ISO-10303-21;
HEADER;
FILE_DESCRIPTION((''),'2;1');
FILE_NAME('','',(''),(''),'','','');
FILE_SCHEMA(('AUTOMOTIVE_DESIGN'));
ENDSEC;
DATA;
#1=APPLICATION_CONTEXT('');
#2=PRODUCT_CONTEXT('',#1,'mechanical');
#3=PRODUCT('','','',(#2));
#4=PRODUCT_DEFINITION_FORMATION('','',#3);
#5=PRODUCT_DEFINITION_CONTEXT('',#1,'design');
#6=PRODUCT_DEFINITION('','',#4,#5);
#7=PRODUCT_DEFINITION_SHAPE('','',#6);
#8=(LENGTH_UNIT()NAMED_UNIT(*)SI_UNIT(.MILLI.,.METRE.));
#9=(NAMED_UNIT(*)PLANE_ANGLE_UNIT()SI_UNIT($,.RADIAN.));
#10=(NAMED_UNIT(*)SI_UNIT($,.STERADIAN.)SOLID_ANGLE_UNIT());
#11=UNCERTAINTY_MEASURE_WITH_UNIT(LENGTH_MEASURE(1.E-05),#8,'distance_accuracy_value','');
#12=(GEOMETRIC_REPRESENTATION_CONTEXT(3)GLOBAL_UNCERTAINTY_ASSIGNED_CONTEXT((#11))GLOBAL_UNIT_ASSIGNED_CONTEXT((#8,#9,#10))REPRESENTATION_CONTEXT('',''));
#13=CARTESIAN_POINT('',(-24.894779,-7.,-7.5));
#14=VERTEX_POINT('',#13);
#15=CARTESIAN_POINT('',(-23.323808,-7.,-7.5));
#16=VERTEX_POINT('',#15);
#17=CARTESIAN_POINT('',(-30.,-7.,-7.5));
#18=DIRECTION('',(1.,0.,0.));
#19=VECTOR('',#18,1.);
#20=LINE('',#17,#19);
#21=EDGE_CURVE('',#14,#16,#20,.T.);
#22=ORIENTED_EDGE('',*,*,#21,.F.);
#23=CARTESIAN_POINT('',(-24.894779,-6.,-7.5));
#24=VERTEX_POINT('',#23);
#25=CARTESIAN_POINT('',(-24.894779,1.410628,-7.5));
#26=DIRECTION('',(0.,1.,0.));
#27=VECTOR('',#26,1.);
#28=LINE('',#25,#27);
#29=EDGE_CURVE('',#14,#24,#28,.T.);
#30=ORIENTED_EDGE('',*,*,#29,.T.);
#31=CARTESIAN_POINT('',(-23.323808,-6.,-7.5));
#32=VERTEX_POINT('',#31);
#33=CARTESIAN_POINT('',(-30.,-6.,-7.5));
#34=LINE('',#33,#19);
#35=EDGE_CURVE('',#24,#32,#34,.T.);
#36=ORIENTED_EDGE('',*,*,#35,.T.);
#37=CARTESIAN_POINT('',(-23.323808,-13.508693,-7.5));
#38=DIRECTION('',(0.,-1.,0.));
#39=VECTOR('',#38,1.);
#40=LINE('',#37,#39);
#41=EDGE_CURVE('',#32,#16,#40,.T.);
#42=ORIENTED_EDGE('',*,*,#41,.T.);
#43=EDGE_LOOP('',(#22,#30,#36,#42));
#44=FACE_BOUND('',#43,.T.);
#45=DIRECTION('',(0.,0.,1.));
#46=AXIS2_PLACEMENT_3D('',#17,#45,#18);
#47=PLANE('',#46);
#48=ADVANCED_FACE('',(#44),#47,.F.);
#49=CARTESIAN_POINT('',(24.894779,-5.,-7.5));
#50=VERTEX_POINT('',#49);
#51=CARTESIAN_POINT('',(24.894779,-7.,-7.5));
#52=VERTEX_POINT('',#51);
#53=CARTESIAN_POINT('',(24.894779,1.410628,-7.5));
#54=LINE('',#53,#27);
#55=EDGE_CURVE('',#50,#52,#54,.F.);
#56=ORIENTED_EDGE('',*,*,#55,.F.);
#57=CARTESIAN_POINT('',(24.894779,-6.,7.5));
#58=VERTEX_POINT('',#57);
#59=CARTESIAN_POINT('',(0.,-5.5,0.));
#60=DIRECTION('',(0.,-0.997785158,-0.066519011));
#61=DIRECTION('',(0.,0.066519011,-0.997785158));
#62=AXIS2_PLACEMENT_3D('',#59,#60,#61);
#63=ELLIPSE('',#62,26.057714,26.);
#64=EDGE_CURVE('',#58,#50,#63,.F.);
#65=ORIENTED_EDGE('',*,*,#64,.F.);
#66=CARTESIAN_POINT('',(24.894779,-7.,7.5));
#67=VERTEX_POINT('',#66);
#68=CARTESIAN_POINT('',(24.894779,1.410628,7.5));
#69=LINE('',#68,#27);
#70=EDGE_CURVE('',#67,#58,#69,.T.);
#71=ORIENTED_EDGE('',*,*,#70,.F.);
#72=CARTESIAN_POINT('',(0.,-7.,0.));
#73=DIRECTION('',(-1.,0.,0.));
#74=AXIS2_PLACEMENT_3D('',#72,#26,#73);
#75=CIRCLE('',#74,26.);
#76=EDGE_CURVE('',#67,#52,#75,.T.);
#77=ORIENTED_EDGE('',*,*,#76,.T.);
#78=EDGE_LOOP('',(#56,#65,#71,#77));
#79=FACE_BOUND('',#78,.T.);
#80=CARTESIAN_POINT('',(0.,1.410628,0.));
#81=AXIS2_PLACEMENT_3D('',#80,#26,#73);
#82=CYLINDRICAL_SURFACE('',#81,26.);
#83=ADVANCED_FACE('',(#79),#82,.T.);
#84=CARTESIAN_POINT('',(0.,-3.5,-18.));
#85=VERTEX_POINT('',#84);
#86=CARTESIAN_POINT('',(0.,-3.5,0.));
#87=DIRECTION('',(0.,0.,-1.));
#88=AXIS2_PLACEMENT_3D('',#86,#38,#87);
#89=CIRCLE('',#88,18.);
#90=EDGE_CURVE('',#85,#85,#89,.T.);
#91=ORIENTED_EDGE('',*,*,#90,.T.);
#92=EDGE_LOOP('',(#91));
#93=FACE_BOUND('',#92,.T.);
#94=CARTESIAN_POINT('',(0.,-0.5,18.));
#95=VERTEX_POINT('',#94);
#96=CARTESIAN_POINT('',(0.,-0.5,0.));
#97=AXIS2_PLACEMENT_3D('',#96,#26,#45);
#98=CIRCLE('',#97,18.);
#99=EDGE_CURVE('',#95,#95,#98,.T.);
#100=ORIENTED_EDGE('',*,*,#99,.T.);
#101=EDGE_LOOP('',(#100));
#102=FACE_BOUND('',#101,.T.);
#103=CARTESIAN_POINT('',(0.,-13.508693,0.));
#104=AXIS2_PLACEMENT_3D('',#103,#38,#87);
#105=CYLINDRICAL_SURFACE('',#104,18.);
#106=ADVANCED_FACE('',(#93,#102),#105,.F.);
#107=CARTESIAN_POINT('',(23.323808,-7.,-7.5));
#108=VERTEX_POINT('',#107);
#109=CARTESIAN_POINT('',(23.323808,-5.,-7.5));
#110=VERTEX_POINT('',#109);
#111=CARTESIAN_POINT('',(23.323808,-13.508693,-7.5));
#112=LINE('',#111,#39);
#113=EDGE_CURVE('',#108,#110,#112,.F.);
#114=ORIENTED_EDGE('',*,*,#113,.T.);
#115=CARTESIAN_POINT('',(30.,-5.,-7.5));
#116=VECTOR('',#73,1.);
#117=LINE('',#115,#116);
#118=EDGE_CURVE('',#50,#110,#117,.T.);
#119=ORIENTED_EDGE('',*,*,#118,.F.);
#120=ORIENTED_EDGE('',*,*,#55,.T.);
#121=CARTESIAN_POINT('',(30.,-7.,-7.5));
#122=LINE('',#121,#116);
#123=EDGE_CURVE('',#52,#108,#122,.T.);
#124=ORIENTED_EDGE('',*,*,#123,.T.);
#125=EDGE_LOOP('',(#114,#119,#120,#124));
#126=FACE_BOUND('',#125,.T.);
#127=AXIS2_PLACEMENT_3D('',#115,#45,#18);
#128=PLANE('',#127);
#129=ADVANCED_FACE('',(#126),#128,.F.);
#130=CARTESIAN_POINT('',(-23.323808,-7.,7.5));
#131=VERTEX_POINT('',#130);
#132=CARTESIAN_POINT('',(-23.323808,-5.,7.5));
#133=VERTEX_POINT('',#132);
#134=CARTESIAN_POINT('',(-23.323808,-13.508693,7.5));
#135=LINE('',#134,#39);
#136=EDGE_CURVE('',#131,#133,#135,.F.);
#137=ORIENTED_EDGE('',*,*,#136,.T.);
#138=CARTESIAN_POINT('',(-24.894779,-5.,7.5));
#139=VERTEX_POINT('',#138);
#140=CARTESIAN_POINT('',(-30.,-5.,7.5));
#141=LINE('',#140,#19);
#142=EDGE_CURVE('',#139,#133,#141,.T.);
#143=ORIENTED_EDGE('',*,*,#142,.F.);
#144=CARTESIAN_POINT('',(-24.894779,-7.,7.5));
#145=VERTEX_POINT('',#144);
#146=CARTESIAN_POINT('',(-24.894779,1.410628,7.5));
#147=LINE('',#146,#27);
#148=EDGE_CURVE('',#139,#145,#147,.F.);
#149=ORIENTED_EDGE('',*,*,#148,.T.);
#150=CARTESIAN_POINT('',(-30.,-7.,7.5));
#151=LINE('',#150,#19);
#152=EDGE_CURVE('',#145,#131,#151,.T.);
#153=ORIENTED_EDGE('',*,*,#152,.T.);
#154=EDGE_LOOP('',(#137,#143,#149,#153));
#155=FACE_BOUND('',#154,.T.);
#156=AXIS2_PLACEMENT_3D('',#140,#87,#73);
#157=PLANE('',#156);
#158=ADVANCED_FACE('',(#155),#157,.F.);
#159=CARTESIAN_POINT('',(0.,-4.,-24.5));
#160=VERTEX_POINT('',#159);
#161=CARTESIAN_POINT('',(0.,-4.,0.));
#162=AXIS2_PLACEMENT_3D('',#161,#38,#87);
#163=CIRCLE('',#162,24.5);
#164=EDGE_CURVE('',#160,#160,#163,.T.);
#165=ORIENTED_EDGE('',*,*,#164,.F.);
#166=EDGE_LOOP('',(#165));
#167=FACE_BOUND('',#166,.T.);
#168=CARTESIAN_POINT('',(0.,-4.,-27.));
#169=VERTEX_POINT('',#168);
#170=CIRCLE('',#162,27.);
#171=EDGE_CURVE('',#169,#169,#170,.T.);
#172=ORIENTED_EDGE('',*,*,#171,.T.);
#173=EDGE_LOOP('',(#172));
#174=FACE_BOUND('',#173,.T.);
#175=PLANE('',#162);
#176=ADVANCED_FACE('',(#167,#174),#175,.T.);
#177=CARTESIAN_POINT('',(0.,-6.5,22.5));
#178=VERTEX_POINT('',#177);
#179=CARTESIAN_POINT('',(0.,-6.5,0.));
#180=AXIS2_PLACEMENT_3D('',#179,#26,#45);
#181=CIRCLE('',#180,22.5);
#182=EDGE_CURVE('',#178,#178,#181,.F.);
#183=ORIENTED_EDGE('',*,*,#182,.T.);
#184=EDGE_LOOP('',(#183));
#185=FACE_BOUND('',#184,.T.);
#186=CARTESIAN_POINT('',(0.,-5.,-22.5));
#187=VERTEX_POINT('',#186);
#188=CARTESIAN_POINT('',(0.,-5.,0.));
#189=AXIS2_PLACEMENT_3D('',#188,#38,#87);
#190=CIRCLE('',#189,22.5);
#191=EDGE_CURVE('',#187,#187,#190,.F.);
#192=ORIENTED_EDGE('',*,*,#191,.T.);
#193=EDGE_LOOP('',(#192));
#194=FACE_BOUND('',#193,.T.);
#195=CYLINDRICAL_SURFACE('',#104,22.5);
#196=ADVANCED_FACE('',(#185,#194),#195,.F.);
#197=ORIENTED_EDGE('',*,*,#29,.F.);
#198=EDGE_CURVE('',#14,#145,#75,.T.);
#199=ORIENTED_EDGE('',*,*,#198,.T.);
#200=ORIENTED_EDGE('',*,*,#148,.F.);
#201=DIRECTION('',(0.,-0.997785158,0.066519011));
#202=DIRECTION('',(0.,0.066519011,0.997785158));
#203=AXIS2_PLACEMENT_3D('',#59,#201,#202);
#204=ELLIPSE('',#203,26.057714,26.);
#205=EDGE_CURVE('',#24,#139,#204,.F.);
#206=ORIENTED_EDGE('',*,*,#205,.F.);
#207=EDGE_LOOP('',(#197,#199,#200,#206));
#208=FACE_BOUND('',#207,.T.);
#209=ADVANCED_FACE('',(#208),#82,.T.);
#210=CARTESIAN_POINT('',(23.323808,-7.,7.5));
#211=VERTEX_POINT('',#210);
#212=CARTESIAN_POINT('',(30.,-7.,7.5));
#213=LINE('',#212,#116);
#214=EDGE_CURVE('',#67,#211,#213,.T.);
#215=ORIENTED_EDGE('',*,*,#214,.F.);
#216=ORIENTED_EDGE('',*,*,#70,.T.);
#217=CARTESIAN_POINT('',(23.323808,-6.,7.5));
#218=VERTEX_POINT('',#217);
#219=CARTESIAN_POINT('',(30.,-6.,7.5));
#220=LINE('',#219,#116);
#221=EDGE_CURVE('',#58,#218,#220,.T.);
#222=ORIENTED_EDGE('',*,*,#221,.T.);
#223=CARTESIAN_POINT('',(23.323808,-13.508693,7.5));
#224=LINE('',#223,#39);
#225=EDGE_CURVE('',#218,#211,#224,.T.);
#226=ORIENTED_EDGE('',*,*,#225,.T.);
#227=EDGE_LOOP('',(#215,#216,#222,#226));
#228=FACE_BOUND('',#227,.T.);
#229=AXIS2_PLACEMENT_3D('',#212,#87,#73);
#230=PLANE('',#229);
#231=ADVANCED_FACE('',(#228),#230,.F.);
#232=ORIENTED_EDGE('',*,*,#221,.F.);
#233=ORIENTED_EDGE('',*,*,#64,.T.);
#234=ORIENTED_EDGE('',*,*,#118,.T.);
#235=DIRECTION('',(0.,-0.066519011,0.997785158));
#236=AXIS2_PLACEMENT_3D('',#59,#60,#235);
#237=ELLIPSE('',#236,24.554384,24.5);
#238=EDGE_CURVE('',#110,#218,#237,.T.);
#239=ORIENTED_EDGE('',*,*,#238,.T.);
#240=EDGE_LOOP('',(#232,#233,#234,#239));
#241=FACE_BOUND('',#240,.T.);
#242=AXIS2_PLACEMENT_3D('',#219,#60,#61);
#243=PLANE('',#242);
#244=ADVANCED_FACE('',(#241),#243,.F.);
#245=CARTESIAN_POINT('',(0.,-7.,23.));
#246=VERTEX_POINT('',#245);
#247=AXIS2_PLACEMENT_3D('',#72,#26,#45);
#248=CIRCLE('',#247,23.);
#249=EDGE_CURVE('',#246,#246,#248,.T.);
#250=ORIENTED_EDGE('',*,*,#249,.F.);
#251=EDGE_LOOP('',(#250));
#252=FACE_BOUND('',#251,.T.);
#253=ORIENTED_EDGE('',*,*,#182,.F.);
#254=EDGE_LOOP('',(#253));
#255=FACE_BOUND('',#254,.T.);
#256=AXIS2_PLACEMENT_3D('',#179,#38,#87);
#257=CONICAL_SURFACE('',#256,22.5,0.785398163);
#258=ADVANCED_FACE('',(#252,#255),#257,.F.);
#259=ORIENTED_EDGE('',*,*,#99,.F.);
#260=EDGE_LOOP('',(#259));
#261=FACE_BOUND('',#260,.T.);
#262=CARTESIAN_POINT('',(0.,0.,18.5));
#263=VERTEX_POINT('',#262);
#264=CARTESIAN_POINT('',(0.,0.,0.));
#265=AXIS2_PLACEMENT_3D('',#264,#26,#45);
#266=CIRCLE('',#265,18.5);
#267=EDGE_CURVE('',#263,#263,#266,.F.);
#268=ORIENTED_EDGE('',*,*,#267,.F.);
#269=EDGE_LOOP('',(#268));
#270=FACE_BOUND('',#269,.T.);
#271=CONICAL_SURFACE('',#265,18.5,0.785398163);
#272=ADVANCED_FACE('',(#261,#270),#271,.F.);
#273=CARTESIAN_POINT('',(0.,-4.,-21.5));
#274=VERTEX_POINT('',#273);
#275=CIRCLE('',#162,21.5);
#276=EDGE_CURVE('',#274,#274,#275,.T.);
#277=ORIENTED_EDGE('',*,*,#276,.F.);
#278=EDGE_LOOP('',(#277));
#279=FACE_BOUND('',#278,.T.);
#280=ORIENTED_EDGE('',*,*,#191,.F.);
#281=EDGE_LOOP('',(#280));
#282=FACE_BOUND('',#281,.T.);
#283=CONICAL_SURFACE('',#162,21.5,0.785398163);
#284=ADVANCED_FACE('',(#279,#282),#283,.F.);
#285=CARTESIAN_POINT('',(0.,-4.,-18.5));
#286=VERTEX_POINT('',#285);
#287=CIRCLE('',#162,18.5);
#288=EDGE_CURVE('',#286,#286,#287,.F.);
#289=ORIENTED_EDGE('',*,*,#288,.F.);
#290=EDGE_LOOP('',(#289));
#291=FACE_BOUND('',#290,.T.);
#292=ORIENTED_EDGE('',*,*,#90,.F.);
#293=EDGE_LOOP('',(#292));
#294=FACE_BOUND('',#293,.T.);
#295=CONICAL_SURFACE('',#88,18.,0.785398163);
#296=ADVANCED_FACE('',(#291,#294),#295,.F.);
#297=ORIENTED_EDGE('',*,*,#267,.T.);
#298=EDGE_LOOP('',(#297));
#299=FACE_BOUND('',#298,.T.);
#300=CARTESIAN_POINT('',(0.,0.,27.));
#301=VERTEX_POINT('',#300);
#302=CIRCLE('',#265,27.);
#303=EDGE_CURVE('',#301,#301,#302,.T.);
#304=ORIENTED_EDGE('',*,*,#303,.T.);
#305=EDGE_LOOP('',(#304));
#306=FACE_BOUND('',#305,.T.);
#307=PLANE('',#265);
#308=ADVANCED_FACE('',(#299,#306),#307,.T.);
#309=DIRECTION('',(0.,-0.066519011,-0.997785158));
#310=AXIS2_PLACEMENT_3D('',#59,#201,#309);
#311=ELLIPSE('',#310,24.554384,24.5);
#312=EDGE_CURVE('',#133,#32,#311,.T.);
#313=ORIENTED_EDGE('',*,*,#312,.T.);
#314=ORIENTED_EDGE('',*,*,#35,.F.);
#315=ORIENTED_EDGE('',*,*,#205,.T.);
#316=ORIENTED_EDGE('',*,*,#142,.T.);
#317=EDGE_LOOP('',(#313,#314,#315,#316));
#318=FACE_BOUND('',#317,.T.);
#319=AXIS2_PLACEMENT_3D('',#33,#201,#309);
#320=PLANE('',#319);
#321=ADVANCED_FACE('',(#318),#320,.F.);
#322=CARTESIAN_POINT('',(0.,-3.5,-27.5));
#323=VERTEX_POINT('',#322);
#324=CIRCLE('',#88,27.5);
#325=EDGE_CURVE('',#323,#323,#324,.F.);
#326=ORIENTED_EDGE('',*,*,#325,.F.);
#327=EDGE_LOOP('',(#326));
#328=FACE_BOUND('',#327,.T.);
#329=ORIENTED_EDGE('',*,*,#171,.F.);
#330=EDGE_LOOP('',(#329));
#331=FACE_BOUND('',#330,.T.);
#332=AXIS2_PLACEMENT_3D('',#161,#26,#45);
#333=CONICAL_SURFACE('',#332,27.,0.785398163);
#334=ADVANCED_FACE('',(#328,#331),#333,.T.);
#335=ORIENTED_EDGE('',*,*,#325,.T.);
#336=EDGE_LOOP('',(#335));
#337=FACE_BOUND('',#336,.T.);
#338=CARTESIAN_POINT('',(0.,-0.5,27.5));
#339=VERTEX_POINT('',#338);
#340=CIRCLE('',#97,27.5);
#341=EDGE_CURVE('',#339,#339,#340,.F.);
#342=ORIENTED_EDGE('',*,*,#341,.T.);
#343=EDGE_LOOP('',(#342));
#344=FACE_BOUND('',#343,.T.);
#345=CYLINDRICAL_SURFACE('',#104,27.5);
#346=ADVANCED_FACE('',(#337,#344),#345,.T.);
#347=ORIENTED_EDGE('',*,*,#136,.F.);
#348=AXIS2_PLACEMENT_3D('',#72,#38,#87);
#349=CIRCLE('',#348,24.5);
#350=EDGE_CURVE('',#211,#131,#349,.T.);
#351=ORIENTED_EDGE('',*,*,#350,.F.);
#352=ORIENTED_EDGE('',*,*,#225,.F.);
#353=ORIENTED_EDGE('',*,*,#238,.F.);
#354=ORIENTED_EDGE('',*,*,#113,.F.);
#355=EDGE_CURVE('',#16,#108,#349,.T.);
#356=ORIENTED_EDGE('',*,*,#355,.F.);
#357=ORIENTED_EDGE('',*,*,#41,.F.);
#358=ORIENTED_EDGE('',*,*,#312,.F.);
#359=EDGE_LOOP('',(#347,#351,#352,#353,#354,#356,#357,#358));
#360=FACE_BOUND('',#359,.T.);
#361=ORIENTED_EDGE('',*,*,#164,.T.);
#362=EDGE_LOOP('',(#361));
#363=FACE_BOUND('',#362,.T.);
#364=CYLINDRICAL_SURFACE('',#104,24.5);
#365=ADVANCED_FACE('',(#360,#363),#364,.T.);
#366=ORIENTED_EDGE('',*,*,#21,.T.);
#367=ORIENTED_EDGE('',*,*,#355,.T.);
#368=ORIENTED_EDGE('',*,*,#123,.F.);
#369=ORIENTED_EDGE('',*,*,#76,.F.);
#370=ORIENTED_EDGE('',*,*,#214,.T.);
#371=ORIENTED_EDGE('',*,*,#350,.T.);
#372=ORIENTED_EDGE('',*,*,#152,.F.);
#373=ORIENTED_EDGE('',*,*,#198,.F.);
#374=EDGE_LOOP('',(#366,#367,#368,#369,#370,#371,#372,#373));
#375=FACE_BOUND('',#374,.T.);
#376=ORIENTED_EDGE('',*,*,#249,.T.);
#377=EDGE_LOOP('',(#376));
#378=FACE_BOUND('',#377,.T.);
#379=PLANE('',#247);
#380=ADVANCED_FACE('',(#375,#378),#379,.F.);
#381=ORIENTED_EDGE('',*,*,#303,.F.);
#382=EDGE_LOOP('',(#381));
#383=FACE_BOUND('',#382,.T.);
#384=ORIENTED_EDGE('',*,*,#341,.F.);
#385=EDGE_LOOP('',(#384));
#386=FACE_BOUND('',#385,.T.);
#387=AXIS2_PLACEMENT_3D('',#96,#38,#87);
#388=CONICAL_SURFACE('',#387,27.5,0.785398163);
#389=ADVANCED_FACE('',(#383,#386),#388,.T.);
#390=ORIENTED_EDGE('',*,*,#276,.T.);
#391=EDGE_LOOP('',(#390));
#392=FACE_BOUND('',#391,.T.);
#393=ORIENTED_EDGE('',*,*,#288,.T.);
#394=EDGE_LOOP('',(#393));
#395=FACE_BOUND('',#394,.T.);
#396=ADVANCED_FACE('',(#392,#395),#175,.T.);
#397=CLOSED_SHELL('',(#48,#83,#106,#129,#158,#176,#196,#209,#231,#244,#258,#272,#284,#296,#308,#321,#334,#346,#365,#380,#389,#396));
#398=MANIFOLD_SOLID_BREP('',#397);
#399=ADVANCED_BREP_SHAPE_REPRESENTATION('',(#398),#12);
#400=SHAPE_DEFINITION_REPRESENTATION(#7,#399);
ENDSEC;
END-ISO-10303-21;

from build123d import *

# Parameters (mm, degrees)
SKIZZE1_W                       = 9.5
SKIZZE1_H                       = 4
SKIZZE1_W_2                     = 2
SKIZZE1_H_2                     = 3
AUFSATZ_LINEAR_AUSTRAGEN4_DEPTH = 30
KREISMUSTER3_COUNT              = 2
SKIZZE3_W                       = 14
SKIZZE3_H                       = 3
SKIZZE3_W_2                     = 22.5
FASE1_SIZE                      = 1
FASE2_SIZE                      = 0.5


with BuildPart() as part:
    # Skizze1 → Rotation1 (revolve)
    with BuildSketch(Plane.XY, mode=Mode.PRIVATE) as rotation1_sk:
        with Locations((-22.75, -2)):
            Rectangle(SKIZZE1_W, SKIZZE1_H)
        with Locations((-23.5, -5.5)):
            Rectangle(SKIZZE1_W_2, SKIZZE1_H_2)
    revolve(rotation1_sk.sketch.rotate(Axis((0, -13.508693245, 0), (0, 1, 0)), 270), axis=Axis((0, -13.508693245, 0), (0, 1, 0)))

    # Skizze2 → Aufsatz-Linear austragen4 (add)
    with BuildSketch(Plane(origin=(0, 0, 0), x_dir=(0, 0, -1), z_dir=(1, 0, 0))):
        Polygon((-7.5, -7), (-7.5, -6), (7.5, -5), (7.5, -7), align=None)
    aufsatz_linear_austragen4 = extrude(amount=AUFSATZ_LINEAR_AUSTRAGEN4_DEPTH)

    # Kreismuster3: Aufsatz-Linear austragen4 ×2 about axis
    kreismuster3_axis = Axis((0, 0, 0), (0, 1, 0))
    for i in range(1, KREISMUSTER3_COUNT):
        add(aufsatz_linear_austragen4.rotate(kreismuster3_axis, i * 360 / KREISMUSTER3_COUNT))

    # Skizze3 → Schnitt-Rotation1 (revolve, cut)
    with BuildSketch(Plane.XY, mode=Mode.PRIVATE) as schnitt_rotation1_sk:
        with Locations((-33, -5.5)):
            Rectangle(SKIZZE3_W, SKIZZE3_H)
        with Locations((-11.25, -5.5)):
            Rectangle(SKIZZE3_W_2, SKIZZE3_H)
    revolve(schnitt_rotation1_sk.sketch.rotate(Axis((0, 1.410628136, 0), (0, -1, 0)), 90), axis=Axis((0, 1.410628136, 0), (0, -1, 0)), mode=Mode.SUBTRACT)

    # Fase1
    fase1_edges = [part.edges().sort_by_distance(p)[0] for p in [
        (0, -4, 22.5),
    ]]
    chamfer(fase1_edges, length=FASE1_SIZE)

    # Fase2
    fase2_edges = [part.edges().sort_by_distance(p)[0] for p in [
        (0, 0, 27.5),
        (0, -7, 22.5),
        (0, 0, 18),
        (0, -4, 18),
        (0, -4, 27.5),
    ]]
    chamfer(fase2_edges, length=FASE2_SIZE)


solid = part.part
